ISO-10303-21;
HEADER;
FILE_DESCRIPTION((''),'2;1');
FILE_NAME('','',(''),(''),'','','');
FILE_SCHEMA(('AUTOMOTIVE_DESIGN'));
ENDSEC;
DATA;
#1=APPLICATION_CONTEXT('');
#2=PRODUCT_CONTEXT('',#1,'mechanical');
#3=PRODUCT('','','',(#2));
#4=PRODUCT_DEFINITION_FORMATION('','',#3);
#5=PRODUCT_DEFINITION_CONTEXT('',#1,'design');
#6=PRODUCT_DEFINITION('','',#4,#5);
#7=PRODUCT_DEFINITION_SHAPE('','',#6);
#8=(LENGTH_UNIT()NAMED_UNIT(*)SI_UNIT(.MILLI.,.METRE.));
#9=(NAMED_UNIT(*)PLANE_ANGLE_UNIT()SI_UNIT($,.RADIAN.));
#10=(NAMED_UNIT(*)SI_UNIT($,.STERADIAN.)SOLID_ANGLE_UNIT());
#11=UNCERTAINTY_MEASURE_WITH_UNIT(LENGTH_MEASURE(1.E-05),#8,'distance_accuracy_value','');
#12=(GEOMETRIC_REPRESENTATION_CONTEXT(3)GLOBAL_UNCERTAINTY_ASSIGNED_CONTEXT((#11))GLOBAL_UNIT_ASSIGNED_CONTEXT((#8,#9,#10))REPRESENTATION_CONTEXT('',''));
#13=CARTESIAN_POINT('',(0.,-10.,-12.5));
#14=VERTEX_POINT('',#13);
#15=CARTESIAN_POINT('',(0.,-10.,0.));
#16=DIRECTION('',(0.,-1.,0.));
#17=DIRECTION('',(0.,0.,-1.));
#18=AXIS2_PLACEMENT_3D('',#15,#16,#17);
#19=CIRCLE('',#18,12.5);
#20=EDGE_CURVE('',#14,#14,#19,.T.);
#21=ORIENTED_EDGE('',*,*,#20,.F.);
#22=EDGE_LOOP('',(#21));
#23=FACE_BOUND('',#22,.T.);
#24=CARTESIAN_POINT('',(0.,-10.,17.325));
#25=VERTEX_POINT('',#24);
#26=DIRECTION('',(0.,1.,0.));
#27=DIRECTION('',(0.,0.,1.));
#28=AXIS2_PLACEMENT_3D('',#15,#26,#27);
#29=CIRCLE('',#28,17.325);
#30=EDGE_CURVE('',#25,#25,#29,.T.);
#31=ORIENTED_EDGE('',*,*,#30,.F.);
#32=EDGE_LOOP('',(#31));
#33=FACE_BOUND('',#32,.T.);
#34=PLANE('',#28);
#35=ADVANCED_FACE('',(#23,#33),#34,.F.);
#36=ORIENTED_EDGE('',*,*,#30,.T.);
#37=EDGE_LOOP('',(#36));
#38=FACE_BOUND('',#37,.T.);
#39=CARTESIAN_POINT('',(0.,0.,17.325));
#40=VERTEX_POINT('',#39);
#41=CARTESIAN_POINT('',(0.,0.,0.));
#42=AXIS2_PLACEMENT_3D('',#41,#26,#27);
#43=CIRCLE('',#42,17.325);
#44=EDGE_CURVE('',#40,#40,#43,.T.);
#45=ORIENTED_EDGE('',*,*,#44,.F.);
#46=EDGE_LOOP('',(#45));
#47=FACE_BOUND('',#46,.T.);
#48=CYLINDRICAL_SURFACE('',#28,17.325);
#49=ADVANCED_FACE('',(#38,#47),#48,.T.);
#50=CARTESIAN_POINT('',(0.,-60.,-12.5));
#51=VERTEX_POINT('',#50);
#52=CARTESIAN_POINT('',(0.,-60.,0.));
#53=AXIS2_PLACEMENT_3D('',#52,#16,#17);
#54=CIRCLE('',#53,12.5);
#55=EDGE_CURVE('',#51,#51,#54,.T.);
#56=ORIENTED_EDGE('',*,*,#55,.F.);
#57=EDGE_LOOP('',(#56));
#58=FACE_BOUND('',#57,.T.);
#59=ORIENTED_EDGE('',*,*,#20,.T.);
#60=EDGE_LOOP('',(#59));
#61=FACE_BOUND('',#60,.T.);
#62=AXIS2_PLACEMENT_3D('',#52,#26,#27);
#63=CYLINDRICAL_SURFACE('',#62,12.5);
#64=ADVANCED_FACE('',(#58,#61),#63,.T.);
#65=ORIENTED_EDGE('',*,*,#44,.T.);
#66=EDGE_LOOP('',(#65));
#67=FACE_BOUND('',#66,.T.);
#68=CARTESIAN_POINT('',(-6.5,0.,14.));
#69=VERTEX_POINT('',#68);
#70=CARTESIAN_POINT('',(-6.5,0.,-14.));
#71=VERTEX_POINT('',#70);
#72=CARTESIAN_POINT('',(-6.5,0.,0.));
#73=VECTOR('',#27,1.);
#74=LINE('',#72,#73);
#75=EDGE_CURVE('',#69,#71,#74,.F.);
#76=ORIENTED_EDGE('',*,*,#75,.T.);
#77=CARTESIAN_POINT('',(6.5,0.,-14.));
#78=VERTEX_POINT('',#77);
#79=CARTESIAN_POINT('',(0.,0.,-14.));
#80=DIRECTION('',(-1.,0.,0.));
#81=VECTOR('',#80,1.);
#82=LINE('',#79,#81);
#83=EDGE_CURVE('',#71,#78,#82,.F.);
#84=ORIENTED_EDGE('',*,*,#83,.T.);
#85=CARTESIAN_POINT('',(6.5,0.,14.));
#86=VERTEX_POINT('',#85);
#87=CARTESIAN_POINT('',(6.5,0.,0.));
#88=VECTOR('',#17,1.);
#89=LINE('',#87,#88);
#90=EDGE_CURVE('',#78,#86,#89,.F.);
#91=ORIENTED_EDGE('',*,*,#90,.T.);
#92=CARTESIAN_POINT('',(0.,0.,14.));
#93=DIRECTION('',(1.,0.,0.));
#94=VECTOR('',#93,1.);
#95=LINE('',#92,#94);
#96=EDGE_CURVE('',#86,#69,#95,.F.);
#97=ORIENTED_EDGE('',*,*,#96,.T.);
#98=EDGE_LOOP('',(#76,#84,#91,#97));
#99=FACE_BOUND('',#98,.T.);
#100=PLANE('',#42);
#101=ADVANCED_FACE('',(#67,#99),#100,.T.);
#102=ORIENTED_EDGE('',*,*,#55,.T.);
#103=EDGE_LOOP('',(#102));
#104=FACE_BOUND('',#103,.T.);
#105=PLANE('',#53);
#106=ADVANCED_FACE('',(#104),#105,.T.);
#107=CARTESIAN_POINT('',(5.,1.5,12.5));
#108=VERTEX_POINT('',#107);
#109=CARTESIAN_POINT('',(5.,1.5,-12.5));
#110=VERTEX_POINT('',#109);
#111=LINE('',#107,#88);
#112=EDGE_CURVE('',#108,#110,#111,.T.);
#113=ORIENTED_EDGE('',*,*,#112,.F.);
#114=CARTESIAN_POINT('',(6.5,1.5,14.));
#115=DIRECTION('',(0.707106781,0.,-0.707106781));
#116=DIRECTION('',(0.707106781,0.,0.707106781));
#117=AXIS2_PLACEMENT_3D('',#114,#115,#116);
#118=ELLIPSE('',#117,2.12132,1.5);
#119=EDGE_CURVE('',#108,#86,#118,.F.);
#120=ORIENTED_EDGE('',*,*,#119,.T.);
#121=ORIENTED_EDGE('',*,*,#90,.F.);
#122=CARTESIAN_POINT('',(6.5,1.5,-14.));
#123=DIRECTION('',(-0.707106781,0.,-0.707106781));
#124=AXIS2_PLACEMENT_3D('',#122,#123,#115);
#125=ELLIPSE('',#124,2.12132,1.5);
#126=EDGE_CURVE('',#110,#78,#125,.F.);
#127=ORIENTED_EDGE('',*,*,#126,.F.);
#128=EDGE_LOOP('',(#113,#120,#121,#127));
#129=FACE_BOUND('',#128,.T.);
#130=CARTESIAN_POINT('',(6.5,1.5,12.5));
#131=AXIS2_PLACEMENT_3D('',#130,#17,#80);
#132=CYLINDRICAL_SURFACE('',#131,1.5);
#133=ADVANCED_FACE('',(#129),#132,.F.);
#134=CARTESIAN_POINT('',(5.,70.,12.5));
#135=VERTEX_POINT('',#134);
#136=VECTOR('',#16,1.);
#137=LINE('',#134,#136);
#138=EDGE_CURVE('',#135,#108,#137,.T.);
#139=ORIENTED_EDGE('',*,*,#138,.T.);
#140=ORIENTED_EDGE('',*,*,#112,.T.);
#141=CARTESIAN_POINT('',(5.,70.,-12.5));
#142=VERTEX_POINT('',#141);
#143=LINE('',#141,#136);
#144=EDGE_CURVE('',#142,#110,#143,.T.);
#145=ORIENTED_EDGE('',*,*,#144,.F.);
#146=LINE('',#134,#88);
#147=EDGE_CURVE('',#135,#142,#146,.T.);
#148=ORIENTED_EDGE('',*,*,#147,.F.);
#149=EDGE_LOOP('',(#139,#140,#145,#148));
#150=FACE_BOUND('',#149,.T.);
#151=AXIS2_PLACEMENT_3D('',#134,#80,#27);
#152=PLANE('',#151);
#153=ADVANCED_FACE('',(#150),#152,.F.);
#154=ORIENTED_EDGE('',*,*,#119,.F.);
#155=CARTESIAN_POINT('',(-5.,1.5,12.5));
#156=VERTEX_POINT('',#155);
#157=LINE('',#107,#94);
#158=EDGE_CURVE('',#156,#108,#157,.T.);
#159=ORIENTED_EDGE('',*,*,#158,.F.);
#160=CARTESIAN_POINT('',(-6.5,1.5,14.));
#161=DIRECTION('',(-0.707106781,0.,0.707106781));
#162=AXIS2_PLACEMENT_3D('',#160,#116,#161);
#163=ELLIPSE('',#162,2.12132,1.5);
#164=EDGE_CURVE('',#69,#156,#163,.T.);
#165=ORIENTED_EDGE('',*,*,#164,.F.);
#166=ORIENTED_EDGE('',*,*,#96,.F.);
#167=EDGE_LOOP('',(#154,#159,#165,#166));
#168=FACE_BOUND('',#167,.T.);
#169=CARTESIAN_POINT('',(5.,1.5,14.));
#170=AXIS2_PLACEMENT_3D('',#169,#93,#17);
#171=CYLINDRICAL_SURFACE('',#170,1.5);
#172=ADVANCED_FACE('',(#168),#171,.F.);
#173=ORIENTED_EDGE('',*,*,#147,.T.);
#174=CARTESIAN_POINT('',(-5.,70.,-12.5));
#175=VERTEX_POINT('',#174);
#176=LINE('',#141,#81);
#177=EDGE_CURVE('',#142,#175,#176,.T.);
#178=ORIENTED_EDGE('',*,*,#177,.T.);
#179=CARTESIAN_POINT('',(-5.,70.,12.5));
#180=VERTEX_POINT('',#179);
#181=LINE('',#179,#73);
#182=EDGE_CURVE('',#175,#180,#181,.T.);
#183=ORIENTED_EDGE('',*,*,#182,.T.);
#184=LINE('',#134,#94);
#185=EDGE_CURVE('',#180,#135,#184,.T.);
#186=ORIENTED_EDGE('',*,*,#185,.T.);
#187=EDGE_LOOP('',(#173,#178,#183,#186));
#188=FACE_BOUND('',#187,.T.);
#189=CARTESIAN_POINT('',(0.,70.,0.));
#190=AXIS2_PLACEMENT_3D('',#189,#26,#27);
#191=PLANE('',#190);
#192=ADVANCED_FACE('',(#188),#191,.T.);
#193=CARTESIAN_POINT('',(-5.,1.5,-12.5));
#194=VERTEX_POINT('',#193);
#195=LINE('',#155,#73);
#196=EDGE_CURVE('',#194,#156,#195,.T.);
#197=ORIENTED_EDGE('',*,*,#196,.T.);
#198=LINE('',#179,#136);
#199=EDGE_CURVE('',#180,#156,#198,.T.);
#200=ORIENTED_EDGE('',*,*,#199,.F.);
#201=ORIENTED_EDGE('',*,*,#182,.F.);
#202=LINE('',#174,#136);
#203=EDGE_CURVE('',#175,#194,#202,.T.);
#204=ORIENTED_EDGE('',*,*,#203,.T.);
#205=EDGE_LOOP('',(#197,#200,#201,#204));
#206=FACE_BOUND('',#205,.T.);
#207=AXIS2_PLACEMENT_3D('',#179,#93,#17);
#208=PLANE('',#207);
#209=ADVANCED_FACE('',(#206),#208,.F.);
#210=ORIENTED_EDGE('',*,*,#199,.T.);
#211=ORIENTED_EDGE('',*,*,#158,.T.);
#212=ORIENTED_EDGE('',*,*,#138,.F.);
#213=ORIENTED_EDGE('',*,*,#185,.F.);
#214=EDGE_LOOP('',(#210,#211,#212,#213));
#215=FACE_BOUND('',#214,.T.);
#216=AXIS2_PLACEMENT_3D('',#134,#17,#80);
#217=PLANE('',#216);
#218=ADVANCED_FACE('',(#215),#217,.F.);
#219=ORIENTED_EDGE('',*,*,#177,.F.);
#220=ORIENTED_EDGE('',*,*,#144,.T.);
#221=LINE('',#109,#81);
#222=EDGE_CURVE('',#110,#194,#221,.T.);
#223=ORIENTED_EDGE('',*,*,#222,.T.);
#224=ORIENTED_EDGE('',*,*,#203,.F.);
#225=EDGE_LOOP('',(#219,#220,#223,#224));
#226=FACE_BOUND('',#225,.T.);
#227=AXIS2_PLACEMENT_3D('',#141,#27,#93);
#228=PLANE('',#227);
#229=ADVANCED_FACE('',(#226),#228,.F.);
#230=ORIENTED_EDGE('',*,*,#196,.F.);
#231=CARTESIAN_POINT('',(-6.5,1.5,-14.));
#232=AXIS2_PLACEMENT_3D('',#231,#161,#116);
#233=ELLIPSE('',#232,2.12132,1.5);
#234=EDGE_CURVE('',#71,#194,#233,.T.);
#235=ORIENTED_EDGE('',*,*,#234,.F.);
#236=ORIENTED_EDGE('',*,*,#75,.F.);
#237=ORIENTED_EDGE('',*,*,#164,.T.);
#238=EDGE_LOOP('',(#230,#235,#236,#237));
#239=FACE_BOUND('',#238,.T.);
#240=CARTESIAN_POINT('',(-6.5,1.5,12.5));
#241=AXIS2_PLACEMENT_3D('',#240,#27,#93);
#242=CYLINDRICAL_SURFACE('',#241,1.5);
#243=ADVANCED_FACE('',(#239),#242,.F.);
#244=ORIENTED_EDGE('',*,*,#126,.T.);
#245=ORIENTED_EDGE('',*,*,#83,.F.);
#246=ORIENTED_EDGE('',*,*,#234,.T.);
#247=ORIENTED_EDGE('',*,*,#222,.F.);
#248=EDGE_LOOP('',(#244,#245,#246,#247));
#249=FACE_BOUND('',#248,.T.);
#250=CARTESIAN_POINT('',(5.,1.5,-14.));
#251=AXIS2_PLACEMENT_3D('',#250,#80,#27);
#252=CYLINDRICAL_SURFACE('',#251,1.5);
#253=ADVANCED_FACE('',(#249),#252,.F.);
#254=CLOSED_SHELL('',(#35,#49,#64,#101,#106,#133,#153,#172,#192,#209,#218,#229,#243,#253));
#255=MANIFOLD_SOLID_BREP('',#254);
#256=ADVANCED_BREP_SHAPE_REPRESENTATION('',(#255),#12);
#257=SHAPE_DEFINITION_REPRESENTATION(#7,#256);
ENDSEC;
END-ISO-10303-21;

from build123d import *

# Parameters (mm, degrees)
SKETCH1_R           = 17.325
BOSS_EXTRUDE1_DEPTH = 10
SKETCH2_R           = 12.5
BOSS_EXTRUDE2_DEPTH = 50
SKETCH3_W           = 10
SKETCH3_H           = 25
BOSS_EXTRUDE3_DEPTH = 70
FILLET1_R           = 1.5


with BuildPart() as part:
    # Sketch1 → Boss-Extrude1 (new body)
    with BuildSketch(Plane(origin=(0, 0, 0), x_dir=(1, 0, 0), z_dir=(0, 1, 0))):
        with Locations(Location((0, 0, 0), (0, 0, 270))):
            Circle(SKETCH1_R)
    extrude(amount=-BOSS_EXTRUDE1_DEPTH)

    # Sketch2 → Boss-Extrude2 (add)
    with BuildSketch(Plane.XZ.offset(10)):
        with Locations(Location((0, 0, 0), (0, 0, 270))):
            Circle(SKETCH2_R)
    extrude(amount=BOSS_EXTRUDE2_DEPTH)

    # Sketch3 → Boss-Extrude3 (add)
    with BuildSketch(Plane(origin=(0, 0, 0), x_dir=(1, 0, 0), z_dir=(0, 1, 0))):
        Rectangle(SKETCH3_W, SKETCH3_H)
    extrude(amount=BOSS_EXTRUDE3_DEPTH)

    # Fillet1
    fillet1_edges = [part.edges().sort_by_distance(p)[0] for p in [
        (5, 0, 0),
        (0, 0, -12.5),
        (-5, 0, 0),
        (0, 0, 12.5),
    ]]
    fillet(fillet1_edges, radius=FILLET1_R)


solid = part.part
